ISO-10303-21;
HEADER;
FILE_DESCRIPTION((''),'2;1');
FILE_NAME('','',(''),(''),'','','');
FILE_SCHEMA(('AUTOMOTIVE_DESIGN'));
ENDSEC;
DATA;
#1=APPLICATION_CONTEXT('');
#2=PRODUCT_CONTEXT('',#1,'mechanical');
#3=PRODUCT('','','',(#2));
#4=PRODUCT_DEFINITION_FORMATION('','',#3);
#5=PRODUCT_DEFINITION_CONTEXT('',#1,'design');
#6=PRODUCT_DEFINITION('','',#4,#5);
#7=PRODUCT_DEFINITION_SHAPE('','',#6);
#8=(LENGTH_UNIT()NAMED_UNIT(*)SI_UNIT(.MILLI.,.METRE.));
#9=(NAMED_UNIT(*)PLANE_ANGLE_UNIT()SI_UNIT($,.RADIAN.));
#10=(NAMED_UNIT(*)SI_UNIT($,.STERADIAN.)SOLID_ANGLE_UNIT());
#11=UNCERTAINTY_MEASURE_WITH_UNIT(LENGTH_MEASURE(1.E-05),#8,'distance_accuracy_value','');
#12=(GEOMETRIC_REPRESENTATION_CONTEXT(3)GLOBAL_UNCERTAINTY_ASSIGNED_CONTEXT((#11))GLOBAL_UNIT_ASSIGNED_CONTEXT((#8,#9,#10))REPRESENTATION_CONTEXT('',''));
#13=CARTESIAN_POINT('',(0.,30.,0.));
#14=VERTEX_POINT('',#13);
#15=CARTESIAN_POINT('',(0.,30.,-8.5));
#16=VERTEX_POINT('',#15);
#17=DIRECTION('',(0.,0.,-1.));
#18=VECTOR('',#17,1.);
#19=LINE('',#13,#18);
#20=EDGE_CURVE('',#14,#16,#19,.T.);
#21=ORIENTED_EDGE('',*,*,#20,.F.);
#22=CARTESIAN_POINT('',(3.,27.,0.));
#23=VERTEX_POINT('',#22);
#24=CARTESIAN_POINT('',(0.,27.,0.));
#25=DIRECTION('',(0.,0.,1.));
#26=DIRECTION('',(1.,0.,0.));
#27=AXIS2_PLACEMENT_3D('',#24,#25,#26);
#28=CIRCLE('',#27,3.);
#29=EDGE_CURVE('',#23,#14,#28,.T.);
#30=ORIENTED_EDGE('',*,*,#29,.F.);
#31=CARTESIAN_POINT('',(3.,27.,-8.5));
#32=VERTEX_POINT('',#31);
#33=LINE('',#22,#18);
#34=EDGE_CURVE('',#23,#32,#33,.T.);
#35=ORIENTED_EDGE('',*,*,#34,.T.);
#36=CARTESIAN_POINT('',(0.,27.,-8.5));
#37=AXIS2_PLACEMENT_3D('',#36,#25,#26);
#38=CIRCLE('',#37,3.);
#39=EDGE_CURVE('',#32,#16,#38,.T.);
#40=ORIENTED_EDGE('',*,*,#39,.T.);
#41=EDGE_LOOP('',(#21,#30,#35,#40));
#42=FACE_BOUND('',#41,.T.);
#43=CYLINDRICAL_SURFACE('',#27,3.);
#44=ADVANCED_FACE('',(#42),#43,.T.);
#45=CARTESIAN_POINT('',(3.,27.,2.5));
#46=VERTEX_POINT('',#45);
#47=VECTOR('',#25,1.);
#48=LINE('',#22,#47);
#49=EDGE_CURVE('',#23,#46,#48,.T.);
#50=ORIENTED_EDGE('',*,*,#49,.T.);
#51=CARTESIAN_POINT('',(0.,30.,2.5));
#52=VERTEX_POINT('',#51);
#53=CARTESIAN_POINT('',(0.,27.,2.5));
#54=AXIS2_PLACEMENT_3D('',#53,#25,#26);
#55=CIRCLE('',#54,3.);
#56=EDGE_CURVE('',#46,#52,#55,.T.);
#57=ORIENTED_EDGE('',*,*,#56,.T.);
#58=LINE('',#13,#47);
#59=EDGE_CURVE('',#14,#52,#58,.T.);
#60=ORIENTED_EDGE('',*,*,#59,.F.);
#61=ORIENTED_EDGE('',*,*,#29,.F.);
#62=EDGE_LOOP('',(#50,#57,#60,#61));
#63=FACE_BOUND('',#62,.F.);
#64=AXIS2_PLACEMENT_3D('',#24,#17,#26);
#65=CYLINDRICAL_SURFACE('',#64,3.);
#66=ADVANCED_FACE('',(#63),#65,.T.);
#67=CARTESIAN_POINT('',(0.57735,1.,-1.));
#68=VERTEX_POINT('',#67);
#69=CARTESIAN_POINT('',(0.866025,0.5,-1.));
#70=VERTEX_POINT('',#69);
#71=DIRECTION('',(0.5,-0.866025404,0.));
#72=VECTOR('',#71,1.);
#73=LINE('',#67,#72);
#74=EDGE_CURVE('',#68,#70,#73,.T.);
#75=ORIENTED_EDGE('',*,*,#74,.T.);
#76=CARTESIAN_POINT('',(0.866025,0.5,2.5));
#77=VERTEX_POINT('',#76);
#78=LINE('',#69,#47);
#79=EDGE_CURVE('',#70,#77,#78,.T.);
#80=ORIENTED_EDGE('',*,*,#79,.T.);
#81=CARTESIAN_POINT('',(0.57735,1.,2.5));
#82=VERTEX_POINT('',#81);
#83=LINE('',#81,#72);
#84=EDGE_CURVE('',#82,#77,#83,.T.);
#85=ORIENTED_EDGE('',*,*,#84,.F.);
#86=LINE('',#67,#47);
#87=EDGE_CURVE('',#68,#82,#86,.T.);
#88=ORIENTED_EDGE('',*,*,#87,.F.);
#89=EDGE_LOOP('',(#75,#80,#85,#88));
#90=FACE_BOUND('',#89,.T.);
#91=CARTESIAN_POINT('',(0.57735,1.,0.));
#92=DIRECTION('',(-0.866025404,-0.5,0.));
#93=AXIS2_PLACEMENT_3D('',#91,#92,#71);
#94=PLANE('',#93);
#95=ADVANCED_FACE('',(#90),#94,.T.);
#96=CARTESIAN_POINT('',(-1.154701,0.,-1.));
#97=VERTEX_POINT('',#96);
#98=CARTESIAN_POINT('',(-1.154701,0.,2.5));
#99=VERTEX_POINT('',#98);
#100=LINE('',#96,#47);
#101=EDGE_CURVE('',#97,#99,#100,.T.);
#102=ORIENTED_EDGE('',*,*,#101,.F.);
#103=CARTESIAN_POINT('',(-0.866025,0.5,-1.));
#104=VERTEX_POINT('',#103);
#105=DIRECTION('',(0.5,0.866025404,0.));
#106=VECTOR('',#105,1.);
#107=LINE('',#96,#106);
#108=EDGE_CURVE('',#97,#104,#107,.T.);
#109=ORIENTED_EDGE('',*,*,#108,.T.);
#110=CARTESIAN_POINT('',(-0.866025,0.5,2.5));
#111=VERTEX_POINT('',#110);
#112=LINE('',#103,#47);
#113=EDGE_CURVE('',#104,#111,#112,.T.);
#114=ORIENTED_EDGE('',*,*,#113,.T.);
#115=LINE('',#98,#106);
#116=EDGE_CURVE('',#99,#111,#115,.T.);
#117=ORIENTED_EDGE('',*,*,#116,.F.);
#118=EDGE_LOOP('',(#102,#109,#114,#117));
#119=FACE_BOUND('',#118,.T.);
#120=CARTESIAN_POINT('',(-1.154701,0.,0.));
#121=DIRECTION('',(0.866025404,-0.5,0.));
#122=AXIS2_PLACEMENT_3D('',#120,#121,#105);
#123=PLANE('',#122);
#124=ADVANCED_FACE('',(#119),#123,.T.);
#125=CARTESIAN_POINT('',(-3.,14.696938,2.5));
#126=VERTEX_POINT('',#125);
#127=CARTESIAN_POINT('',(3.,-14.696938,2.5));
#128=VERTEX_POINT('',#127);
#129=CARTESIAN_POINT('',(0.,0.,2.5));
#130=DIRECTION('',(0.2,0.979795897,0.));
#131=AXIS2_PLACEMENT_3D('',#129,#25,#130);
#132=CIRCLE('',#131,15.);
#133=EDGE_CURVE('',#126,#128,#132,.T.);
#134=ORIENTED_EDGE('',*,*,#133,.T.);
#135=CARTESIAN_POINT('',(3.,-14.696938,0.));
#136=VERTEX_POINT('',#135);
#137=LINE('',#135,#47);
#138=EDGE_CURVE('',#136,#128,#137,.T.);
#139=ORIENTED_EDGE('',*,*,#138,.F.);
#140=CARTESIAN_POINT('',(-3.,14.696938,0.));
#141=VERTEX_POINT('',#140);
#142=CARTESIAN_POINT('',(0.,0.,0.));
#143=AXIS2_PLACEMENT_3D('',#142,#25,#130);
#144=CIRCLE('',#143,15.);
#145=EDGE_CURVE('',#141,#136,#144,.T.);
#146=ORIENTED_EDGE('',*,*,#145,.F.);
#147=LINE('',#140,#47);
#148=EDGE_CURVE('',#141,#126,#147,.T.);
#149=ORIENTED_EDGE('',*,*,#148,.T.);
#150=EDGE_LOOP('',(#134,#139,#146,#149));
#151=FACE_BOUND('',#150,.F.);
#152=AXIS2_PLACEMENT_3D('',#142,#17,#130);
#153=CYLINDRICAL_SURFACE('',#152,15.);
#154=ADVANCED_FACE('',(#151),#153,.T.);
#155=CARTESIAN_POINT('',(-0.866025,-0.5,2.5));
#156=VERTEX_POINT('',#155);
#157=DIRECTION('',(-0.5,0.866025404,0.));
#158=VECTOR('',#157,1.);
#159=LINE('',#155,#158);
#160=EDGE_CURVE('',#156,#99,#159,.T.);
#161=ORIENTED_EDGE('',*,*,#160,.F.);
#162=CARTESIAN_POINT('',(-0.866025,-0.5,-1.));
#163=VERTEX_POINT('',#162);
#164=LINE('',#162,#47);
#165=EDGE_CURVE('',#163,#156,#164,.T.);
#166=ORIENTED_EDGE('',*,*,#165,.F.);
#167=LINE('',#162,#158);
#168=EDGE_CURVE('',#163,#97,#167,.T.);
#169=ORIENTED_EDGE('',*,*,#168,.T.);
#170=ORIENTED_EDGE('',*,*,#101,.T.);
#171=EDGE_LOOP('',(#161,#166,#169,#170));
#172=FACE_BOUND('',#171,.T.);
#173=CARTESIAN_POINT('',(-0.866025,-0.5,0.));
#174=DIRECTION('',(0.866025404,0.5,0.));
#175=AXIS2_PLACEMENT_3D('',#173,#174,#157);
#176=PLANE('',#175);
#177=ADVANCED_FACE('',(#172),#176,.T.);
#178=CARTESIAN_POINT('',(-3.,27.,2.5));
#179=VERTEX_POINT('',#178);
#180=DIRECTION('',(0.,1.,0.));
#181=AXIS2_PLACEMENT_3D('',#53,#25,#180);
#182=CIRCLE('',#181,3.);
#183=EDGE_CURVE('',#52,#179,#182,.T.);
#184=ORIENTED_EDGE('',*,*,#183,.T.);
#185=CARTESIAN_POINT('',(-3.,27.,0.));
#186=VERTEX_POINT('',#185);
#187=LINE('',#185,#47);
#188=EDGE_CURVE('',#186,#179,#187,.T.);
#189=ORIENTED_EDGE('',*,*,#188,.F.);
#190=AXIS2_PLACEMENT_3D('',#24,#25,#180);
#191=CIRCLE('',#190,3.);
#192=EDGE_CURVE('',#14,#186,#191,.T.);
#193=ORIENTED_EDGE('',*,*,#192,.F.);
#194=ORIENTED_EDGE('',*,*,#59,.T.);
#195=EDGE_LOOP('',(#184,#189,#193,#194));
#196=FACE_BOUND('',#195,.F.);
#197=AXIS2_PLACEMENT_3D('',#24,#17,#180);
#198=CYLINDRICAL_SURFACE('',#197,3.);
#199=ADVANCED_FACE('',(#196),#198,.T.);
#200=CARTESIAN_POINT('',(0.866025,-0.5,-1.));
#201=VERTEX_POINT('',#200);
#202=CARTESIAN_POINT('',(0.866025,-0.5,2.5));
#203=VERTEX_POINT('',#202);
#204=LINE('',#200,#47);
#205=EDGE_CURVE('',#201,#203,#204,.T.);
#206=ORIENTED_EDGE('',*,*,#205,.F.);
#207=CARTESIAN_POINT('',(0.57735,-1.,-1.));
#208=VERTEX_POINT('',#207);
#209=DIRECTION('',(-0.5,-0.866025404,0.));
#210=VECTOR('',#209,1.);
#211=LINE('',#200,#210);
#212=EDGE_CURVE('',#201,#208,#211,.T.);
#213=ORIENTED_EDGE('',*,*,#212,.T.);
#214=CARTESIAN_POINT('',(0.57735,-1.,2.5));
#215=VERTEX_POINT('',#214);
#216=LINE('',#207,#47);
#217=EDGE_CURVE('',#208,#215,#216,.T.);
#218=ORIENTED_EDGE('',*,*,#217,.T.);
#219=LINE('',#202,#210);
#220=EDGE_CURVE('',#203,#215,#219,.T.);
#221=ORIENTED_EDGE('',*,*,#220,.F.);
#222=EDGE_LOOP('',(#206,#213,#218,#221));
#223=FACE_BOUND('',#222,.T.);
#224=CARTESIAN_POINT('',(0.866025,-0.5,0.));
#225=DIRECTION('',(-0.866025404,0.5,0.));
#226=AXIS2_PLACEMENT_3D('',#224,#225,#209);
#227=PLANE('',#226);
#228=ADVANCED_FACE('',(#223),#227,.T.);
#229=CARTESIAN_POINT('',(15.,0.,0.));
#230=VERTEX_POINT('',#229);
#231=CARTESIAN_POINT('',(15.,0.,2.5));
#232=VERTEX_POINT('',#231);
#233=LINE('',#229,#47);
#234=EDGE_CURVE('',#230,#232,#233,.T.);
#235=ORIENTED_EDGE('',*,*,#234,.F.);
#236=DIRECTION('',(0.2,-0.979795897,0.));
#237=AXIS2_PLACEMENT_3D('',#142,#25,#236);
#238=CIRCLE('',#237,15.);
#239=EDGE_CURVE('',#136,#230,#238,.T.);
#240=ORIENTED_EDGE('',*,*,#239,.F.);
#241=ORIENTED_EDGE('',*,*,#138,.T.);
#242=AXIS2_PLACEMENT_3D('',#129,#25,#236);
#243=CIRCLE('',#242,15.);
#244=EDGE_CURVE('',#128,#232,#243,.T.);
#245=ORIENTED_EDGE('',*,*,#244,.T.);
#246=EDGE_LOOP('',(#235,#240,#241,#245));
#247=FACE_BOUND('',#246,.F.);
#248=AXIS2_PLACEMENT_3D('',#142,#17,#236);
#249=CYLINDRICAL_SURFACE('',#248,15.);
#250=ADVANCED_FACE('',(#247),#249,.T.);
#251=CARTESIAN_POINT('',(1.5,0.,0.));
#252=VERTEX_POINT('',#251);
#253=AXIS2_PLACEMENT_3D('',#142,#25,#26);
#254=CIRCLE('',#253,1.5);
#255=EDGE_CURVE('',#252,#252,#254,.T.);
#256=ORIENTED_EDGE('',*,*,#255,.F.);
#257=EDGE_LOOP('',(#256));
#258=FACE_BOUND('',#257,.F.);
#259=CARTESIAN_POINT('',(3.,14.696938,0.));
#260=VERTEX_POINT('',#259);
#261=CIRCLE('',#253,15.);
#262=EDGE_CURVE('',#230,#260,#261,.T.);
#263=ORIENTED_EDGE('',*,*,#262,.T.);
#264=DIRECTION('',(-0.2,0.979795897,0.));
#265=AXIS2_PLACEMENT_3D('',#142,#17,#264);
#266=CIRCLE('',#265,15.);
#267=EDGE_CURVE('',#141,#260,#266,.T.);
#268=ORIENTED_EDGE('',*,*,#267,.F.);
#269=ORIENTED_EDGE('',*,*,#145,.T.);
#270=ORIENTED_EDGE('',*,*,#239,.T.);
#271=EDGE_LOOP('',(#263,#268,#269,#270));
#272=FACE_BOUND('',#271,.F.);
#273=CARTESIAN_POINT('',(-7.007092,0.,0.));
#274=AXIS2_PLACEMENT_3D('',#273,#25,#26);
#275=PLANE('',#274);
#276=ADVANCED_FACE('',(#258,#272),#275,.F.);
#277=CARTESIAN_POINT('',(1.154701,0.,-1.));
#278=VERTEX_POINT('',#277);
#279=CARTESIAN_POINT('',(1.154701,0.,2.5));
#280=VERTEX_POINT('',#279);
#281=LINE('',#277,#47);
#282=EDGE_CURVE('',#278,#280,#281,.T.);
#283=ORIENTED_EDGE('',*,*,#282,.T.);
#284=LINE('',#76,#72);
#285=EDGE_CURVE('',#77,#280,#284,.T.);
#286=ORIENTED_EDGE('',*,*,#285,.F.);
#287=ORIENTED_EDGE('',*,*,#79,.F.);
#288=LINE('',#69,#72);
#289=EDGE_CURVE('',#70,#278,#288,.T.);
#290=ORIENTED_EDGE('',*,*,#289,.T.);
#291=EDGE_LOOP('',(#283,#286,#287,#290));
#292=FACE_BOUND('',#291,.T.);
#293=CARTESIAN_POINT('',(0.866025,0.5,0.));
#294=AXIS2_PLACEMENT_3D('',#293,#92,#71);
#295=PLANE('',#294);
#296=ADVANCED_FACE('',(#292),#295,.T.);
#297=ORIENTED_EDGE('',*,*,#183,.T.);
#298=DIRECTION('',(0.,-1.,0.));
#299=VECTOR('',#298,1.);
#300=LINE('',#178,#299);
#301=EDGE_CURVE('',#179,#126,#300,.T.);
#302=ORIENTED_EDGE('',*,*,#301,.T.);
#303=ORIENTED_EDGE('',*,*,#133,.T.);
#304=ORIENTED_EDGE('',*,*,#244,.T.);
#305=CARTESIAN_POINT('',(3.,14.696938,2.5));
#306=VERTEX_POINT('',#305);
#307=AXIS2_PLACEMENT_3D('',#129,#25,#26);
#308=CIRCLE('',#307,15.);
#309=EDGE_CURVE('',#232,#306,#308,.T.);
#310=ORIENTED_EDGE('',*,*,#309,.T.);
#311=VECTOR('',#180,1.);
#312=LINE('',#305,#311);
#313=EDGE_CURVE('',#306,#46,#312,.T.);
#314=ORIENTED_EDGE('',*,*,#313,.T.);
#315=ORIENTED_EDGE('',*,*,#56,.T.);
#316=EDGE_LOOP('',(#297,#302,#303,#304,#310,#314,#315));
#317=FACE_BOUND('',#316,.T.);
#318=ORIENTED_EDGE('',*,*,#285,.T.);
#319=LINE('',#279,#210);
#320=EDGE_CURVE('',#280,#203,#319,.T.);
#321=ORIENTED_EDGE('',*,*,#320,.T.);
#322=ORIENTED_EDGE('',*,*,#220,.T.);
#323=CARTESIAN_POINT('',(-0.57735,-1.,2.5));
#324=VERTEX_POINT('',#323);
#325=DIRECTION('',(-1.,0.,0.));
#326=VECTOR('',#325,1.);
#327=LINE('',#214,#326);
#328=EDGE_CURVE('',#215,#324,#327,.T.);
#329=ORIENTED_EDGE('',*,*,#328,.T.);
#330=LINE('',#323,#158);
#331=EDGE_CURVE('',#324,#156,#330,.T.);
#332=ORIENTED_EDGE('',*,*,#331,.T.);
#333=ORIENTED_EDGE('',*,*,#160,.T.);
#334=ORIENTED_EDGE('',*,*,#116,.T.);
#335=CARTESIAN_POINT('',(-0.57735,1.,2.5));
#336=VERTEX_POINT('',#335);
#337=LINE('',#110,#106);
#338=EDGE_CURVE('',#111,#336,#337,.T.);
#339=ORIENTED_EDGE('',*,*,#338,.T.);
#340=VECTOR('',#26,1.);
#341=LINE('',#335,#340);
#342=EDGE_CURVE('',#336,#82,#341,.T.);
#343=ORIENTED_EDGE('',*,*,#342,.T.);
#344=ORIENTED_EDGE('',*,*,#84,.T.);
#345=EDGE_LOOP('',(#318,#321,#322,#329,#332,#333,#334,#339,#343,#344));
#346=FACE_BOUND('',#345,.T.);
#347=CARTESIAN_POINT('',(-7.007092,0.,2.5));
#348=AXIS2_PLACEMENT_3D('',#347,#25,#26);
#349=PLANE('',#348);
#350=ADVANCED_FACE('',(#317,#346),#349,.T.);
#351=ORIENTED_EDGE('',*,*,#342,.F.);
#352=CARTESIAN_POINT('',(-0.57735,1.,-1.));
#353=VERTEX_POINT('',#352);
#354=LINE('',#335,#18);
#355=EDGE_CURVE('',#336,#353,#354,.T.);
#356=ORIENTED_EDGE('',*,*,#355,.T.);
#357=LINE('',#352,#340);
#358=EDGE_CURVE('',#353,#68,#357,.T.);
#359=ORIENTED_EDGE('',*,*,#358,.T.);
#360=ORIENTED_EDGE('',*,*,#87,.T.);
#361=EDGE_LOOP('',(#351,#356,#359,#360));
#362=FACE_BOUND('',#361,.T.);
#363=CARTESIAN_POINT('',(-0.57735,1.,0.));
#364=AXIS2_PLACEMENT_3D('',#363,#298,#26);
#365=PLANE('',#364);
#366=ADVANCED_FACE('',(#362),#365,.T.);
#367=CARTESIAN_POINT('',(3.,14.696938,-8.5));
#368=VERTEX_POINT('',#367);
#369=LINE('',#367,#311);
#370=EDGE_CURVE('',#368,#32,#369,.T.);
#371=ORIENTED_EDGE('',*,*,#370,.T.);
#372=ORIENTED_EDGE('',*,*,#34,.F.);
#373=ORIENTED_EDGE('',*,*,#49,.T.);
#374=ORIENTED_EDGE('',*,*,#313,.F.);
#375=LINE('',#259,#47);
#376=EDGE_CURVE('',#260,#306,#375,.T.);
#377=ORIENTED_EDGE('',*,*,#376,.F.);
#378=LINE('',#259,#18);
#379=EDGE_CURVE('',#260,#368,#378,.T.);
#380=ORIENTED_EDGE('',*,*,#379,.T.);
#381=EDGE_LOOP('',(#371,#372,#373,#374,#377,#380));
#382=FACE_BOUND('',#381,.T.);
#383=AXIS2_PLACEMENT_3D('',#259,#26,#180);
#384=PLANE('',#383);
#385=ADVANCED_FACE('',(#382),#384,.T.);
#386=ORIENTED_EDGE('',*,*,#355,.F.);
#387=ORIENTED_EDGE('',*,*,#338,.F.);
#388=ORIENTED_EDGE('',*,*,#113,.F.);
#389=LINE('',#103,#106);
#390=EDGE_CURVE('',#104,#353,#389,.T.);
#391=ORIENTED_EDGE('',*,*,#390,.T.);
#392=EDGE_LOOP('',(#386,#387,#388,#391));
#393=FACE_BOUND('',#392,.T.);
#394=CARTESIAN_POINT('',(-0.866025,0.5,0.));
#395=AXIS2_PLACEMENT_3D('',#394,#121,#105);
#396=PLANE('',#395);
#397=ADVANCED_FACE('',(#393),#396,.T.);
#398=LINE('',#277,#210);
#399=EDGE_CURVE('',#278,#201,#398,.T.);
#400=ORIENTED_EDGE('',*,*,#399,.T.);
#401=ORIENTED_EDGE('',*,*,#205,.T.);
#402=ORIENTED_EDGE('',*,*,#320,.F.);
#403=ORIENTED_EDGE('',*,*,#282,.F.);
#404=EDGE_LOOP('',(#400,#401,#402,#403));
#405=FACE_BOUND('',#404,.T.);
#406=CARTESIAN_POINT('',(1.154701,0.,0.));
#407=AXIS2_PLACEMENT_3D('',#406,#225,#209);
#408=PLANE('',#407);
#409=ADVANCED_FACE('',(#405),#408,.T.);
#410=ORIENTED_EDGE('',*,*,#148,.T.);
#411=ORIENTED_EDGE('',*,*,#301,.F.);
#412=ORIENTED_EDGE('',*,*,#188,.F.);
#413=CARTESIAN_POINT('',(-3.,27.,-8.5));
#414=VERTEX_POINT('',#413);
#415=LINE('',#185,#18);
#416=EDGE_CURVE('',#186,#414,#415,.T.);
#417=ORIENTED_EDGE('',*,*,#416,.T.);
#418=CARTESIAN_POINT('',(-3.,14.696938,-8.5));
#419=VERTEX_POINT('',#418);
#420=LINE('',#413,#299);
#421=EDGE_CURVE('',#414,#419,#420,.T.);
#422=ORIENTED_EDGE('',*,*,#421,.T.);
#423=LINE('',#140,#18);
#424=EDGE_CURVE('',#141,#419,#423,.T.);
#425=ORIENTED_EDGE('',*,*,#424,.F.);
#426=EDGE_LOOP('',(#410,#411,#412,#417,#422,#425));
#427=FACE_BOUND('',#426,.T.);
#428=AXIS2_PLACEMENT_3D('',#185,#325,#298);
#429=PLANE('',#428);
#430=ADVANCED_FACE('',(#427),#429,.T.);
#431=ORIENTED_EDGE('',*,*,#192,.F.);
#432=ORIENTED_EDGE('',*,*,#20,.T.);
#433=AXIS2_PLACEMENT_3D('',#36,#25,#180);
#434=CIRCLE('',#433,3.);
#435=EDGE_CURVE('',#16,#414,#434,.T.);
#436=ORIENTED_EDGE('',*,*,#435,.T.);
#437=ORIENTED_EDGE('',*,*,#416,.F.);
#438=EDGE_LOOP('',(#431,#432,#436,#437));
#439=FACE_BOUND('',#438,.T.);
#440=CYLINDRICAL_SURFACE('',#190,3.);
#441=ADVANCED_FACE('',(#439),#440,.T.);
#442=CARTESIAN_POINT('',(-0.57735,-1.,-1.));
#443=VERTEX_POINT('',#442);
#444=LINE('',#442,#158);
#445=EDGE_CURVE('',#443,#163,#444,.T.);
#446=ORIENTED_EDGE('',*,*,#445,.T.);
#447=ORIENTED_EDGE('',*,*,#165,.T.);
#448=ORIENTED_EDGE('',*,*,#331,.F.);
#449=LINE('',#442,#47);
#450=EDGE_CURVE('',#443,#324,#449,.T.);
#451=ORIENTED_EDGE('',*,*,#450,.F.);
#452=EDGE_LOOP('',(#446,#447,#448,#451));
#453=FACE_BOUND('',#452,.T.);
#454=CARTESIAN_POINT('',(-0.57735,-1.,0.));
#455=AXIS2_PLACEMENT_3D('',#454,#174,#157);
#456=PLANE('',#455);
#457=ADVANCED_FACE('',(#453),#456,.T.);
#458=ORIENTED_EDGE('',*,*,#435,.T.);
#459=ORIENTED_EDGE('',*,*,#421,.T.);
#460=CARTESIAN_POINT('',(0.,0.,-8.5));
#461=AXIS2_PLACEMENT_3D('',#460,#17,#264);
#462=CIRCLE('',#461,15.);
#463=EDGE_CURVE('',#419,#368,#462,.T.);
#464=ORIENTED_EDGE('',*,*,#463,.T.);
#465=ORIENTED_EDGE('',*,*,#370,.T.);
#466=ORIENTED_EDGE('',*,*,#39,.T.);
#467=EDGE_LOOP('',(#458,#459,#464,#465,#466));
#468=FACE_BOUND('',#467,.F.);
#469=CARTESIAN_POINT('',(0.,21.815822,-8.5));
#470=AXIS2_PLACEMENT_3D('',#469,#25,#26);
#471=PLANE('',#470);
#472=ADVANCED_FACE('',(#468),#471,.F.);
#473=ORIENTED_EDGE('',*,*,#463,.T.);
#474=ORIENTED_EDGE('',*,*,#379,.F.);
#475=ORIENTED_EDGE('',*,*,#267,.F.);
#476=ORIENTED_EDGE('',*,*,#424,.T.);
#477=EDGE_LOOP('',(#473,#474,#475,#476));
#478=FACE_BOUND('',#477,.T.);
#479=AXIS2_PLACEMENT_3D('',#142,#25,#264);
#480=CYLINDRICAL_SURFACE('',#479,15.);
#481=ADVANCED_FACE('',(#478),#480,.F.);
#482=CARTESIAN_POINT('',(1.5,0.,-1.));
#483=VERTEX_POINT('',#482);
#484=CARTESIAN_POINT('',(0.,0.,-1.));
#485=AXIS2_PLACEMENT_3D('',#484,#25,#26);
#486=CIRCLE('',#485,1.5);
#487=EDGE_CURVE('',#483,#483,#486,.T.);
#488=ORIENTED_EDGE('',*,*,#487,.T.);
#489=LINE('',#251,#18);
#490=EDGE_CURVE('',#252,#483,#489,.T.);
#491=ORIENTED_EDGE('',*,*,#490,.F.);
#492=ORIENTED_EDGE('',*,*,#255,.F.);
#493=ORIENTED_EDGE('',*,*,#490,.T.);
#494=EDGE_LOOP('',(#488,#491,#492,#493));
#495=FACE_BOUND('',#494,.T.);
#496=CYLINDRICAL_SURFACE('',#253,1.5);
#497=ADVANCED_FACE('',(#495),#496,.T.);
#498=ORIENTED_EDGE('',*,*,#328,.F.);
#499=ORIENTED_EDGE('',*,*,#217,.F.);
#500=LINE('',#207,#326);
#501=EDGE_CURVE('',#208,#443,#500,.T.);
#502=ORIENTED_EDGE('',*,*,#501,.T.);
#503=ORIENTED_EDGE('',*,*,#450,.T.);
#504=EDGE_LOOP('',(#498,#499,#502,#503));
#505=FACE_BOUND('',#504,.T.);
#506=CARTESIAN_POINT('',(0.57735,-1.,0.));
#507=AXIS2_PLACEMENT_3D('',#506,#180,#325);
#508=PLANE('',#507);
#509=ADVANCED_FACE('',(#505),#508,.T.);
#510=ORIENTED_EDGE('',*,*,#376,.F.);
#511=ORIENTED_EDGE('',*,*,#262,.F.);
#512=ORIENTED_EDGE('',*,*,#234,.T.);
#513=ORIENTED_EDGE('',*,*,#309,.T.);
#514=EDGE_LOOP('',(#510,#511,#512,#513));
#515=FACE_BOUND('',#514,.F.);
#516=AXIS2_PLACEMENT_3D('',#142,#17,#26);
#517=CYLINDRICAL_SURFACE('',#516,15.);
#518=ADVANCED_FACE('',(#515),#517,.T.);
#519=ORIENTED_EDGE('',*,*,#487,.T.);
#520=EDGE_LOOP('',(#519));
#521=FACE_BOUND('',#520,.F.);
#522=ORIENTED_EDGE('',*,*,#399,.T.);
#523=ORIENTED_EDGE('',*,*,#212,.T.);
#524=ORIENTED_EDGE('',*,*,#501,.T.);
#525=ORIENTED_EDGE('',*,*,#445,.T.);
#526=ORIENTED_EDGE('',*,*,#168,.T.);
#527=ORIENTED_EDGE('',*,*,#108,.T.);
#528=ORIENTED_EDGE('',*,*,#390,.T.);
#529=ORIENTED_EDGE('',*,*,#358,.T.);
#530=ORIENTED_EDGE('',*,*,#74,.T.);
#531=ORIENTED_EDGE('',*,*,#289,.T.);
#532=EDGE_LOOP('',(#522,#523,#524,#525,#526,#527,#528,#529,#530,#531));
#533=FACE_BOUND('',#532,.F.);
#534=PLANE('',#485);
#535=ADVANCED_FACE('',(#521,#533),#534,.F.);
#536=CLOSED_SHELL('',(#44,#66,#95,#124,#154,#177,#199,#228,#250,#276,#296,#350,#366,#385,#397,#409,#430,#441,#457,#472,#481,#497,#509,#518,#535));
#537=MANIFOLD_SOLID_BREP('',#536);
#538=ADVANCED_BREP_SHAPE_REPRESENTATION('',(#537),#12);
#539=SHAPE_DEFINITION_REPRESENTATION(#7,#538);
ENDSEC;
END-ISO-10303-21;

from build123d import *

# Parameters (mm, degrees)
F0_R     = 1.5
F1_DEPTH = 2.5
F2_DEPTH = 8.5
F3_DEPTH = 1


with BuildPart() as f1:
    # F0 (on Top) → F1 (new body)
    with BuildSketch(Plane.XY):
        with BuildLine():
            Line((-3, -14.6969384567), (-3, 14.6969384567))
            ThreePointArc((-3, 14.6969384567), (-15, 0), (-3, -14.6969384567))
        make_face()
        with BuildLine():
            Line((3, -14.6969384567), (3, 14.6969384567))
            ThreePointArc((3, 14.6969384567), (0, 15), (-3, 14.6969384567))
            Line((-3, 14.6969384567), (-3, -14.6969384567))
            ThreePointArc((-3, -14.6969384567), (0, -15), (3, -14.6969384567))
        make_face()
        Circle(F0_R, mode=Mode.SUBTRACT)
        with BuildLine():
            ThreePointArc((3, -14.6969384567), (11.6189500386, -9.4868329805), (15, 0))
            ThreePointArc((15, 0), (11.6189500386, 9.4868329805), (3, 14.6969384567))
            Line((3, 14.6969384567), (3, -14.6969384567))
        make_face()
        with BuildLine():
            ThreePointArc((-3, 14.6969384567), (0, 15), (3, 14.6969384567))
            Line((3, 14.6969384567), (3, 27))
            ThreePointArc((3, 27), (2.1213203436, 29.1213203436), (0, 30))
            ThreePointArc((0, 30), (-2.1213203436, 29.1213203436), (-3, 27))
            Line((-3, 27), (-3, 14.6969384567))
        make_face()
        Circle(F0_R)
        Polygon((0.5773502692, 1), (0.8660253864, 0.5000000301), (1.1547005384, 0), (0.8660253864, -0.5000000301), (0.5773502692, -1), (0, -1), (-0.5773502692, -1), (-0.8660253838, -0.5000000347), (-1.1547005384, 0), (-0.866025389, 0.5000000256), (-0.5773502692, 1), (0, 1), align=None, mode=Mode.SUBTRACT)
    extrude(amount=F1_DEPTH)

    # F0 (on Top) → F2 (join)
    with BuildSketch(Plane.XY):
        with BuildLine():
            ThreePointArc((-3, 14.6969384567), (0, 15), (3, 14.6969384567))
            Line((3, 14.6969384567), (3, 27))
            ThreePointArc((3, 27), (2.1213203436, 29.1213203436), (0, 30))
            ThreePointArc((0, 30), (-2.1213203436, 29.1213203436), (-3, 27))
            Line((-3, 27), (-3, 14.6969384567))
        make_face()
    extrude(amount=-F2_DEPTH)

    # F0 (on Top) → F3 (join)
    with BuildSketch(Plane.XY):
        Circle(F0_R)
        Polygon((0.5773502692, 1), (0.8660253864, 0.5000000301), (1.1547005384, 0), (0.8660253864, -0.5000000301), (0.5773502692, -1), (0, -1), (-0.5773502692, -1), (-0.8660253838, -0.5000000347), (-1.1547005384, 0), (-0.866025389, 0.5000000256), (-0.5773502692, 1), (0, 1), align=None, mode=Mode.SUBTRACT)
    extrude(amount=-F3_DEPTH)


solid = f1.part
